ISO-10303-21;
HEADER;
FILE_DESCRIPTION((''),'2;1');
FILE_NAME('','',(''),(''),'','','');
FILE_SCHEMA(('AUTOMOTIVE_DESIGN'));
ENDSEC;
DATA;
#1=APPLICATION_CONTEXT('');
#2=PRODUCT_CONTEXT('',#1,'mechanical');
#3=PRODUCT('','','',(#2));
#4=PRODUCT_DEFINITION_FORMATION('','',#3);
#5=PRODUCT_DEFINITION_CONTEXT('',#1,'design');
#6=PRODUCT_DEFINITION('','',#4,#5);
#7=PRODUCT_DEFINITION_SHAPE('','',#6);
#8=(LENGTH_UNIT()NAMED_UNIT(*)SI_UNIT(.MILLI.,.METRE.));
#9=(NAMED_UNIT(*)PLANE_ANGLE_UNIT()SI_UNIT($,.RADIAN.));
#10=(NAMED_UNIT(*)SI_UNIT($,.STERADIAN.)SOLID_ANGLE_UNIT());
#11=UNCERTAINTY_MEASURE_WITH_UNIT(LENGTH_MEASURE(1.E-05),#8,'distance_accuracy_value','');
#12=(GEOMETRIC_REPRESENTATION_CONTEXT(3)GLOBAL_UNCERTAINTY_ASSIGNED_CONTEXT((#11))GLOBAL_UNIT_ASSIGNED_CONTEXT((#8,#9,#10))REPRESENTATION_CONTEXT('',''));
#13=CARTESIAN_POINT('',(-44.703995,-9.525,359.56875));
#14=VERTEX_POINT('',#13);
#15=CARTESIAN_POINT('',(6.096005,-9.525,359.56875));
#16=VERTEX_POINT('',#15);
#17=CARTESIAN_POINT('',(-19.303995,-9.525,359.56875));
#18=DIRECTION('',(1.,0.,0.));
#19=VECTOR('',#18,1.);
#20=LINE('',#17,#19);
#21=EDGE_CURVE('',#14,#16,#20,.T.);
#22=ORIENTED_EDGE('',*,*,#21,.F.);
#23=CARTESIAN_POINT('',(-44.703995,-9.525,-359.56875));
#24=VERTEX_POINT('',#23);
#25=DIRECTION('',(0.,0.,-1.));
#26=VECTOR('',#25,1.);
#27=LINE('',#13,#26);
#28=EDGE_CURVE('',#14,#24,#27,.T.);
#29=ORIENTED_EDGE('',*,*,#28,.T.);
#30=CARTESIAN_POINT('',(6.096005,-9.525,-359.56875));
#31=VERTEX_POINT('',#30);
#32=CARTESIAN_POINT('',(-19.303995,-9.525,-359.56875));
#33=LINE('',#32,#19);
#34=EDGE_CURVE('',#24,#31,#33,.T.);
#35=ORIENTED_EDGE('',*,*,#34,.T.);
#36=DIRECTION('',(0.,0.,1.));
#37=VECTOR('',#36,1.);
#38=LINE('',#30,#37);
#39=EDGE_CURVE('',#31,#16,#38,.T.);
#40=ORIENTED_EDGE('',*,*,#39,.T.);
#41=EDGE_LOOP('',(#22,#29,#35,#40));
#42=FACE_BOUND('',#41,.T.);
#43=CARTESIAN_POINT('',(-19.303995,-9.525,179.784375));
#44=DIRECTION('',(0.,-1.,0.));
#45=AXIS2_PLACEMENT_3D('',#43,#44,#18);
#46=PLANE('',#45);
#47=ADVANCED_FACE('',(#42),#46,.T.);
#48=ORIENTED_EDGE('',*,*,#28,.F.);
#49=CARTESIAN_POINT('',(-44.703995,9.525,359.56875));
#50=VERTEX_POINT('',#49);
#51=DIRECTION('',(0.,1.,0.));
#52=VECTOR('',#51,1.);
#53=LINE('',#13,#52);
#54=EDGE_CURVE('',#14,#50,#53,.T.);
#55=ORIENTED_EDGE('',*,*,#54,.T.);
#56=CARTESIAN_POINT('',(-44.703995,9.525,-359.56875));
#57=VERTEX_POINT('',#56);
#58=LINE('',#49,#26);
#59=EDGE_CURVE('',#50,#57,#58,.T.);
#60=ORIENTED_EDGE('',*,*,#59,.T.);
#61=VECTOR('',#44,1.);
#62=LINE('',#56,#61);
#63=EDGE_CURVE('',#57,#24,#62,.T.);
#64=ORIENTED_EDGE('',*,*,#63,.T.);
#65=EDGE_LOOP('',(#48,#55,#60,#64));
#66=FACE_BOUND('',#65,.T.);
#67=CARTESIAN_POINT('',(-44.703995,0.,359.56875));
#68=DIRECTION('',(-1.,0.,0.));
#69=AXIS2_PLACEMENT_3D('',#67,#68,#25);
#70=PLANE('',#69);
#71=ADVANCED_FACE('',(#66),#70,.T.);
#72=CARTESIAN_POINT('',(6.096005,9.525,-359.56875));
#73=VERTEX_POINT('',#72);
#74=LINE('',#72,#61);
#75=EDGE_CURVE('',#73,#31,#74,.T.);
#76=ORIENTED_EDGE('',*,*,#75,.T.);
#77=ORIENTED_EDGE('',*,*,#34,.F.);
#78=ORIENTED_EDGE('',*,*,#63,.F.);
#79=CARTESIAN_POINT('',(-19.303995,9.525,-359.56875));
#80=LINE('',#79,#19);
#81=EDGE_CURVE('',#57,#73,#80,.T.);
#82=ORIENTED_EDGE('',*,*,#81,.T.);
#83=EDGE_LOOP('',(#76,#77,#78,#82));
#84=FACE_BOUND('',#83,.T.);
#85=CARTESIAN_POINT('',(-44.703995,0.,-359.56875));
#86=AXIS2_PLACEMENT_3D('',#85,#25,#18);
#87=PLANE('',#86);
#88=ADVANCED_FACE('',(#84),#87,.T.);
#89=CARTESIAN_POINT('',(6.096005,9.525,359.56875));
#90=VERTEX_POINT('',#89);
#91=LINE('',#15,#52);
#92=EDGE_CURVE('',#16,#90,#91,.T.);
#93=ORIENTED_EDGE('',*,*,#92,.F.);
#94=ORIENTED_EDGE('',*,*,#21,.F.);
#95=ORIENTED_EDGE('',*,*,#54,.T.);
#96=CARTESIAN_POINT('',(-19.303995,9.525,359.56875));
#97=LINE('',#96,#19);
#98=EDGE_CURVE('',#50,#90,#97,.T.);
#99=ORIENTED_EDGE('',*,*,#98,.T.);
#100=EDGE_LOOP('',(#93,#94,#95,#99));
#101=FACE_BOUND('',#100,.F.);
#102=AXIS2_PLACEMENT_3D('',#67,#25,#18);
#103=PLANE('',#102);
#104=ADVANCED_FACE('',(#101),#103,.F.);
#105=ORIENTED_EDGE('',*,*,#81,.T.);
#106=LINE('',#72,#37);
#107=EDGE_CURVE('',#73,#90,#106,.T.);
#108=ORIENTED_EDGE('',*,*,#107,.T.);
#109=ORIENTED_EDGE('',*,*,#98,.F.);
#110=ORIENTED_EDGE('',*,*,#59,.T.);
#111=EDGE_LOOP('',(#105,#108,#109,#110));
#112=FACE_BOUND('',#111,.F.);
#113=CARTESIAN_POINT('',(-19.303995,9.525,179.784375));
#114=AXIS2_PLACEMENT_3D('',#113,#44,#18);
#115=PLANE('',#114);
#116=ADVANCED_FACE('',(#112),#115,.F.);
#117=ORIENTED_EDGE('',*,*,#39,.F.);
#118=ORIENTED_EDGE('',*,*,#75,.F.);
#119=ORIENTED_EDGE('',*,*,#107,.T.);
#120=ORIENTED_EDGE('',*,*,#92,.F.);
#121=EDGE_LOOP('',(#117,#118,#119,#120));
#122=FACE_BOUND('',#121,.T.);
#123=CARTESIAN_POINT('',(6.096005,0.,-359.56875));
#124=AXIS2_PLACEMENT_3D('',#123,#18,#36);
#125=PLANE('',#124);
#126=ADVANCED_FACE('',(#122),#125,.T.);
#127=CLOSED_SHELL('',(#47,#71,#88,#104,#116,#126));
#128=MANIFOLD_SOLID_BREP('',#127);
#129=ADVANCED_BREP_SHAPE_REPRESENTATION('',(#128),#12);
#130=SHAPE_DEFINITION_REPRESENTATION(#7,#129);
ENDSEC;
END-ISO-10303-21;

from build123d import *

# Parameters (mm, degrees)
F0_W     = 50.8
F0_H     = 359.56875
F1_DEPTH = 9.525


with BuildPart() as f1:
    # F0 (on Front) → F1 (new body, symmetric)
    with BuildSketch(Plane.XZ):
        with Locations((-19.3039953259, 179.784375)):
            Rectangle(F0_W, F0_H)
        with Locations((-19.3039953259, -179.784375)):
            Rectangle(F0_W, F0_H)
    extrude(amount=F1_DEPTH, both=True)


solid = f1.part
